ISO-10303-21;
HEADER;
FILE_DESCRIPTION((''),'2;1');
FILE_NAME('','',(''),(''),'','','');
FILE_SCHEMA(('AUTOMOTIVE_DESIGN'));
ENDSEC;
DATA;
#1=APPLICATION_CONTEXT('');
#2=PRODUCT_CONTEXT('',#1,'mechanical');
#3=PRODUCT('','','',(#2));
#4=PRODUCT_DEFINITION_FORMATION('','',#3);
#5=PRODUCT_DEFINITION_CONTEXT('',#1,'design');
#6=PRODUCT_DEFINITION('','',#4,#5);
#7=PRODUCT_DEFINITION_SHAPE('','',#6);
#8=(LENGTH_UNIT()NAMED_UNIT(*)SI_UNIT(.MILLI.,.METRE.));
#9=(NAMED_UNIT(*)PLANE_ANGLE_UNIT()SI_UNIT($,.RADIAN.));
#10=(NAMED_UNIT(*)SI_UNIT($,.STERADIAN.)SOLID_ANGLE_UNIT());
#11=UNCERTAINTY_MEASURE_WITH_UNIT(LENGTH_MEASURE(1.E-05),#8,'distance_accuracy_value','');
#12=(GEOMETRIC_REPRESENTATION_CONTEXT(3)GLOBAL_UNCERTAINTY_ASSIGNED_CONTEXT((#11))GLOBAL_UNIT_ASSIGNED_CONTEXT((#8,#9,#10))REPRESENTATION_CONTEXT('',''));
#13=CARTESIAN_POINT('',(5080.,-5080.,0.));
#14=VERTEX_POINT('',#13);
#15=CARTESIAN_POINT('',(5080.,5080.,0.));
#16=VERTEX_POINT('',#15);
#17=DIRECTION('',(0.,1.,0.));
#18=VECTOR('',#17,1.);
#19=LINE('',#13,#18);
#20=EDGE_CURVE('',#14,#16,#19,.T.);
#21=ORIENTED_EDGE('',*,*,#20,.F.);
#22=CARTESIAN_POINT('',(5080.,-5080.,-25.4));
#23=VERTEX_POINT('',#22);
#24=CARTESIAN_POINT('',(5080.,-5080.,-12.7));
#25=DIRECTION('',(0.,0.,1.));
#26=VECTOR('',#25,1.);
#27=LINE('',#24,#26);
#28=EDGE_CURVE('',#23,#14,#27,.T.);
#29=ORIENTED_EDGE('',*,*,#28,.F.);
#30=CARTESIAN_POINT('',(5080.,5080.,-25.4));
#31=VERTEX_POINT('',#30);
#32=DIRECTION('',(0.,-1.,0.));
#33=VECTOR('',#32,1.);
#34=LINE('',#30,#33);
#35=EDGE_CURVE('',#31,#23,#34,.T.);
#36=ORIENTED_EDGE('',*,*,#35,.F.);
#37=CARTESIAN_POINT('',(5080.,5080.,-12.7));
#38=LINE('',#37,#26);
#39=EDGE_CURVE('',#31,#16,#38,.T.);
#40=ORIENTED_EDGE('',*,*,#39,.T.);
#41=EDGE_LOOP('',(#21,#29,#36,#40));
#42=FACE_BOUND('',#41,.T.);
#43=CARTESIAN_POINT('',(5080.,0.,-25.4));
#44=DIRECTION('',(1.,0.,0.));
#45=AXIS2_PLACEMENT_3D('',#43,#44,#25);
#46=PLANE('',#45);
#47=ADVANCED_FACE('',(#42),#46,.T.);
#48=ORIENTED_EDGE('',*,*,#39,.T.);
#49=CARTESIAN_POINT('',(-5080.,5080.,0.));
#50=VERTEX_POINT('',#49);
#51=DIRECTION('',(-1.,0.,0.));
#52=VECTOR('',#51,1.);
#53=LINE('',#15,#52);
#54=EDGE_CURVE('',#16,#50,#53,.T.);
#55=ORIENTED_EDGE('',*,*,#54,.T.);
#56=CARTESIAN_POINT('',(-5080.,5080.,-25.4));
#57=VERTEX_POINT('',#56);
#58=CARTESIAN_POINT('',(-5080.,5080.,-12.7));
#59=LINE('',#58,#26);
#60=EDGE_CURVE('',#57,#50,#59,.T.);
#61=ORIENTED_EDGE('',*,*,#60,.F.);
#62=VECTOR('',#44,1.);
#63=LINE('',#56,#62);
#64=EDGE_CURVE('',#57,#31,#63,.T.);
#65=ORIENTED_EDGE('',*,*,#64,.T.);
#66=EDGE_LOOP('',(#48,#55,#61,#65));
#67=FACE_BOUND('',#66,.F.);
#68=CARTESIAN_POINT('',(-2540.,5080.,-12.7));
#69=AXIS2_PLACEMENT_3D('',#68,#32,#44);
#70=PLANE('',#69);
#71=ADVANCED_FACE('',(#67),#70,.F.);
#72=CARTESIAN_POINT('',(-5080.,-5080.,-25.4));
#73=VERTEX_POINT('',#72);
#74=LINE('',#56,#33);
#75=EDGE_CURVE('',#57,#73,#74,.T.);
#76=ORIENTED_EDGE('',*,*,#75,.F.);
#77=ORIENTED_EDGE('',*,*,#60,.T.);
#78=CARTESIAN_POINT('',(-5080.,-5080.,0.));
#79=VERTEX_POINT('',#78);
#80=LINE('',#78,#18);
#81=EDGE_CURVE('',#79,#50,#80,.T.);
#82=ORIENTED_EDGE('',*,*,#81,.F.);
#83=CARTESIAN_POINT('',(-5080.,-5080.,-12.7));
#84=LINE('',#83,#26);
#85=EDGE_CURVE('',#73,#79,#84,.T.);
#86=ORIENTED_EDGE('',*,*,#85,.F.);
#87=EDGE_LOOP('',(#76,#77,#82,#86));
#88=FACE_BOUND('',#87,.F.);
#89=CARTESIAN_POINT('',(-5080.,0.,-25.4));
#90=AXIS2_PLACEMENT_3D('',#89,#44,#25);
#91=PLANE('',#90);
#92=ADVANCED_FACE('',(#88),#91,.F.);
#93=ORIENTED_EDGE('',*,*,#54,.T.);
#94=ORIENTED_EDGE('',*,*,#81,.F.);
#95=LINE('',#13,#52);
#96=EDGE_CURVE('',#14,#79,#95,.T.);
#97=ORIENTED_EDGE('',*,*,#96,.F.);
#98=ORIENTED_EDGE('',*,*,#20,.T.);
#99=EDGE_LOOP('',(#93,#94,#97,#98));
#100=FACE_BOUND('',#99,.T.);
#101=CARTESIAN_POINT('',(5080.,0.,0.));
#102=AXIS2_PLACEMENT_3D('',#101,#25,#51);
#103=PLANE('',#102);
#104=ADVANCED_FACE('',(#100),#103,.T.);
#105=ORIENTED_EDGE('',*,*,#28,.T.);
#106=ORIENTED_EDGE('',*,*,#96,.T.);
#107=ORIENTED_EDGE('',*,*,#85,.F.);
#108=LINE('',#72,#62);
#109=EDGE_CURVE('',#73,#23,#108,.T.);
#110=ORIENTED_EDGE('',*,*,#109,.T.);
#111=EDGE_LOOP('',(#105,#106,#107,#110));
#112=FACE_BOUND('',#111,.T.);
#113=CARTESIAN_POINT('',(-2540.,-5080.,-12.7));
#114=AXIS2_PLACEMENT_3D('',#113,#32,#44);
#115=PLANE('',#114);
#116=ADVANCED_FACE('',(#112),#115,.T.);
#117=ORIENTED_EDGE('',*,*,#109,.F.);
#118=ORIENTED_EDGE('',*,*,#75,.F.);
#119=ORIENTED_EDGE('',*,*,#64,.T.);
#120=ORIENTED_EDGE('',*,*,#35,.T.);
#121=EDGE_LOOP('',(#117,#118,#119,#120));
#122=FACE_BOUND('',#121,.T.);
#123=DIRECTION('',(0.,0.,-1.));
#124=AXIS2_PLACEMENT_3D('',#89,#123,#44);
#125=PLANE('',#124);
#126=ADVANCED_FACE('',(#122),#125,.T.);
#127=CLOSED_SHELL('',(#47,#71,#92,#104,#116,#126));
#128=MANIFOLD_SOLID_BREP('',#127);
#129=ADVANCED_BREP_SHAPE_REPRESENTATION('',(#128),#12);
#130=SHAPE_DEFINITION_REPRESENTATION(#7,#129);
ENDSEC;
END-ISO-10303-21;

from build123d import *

# Parameters (mm, degrees)
F0_W          = 5080
F0_H          = 25.4
F1_DEPTH      = 5080
F1_DEPTH_BACK = 5080


with BuildPart() as f1:
    # F0 (on Front) → F1 (new body, two sides)
    with BuildSketch(Plane.XZ) as f1_sk:
        with Locations((-2540, -12.7)):
            Rectangle(F0_W, F0_H)
        with Locations((2540, -12.7)):
            Rectangle(F0_W, F0_H)
    extrude(amount=F1_DEPTH)
    extrude(f1_sk.sketch, amount=-F1_DEPTH_BACK)


solid = f1.part
